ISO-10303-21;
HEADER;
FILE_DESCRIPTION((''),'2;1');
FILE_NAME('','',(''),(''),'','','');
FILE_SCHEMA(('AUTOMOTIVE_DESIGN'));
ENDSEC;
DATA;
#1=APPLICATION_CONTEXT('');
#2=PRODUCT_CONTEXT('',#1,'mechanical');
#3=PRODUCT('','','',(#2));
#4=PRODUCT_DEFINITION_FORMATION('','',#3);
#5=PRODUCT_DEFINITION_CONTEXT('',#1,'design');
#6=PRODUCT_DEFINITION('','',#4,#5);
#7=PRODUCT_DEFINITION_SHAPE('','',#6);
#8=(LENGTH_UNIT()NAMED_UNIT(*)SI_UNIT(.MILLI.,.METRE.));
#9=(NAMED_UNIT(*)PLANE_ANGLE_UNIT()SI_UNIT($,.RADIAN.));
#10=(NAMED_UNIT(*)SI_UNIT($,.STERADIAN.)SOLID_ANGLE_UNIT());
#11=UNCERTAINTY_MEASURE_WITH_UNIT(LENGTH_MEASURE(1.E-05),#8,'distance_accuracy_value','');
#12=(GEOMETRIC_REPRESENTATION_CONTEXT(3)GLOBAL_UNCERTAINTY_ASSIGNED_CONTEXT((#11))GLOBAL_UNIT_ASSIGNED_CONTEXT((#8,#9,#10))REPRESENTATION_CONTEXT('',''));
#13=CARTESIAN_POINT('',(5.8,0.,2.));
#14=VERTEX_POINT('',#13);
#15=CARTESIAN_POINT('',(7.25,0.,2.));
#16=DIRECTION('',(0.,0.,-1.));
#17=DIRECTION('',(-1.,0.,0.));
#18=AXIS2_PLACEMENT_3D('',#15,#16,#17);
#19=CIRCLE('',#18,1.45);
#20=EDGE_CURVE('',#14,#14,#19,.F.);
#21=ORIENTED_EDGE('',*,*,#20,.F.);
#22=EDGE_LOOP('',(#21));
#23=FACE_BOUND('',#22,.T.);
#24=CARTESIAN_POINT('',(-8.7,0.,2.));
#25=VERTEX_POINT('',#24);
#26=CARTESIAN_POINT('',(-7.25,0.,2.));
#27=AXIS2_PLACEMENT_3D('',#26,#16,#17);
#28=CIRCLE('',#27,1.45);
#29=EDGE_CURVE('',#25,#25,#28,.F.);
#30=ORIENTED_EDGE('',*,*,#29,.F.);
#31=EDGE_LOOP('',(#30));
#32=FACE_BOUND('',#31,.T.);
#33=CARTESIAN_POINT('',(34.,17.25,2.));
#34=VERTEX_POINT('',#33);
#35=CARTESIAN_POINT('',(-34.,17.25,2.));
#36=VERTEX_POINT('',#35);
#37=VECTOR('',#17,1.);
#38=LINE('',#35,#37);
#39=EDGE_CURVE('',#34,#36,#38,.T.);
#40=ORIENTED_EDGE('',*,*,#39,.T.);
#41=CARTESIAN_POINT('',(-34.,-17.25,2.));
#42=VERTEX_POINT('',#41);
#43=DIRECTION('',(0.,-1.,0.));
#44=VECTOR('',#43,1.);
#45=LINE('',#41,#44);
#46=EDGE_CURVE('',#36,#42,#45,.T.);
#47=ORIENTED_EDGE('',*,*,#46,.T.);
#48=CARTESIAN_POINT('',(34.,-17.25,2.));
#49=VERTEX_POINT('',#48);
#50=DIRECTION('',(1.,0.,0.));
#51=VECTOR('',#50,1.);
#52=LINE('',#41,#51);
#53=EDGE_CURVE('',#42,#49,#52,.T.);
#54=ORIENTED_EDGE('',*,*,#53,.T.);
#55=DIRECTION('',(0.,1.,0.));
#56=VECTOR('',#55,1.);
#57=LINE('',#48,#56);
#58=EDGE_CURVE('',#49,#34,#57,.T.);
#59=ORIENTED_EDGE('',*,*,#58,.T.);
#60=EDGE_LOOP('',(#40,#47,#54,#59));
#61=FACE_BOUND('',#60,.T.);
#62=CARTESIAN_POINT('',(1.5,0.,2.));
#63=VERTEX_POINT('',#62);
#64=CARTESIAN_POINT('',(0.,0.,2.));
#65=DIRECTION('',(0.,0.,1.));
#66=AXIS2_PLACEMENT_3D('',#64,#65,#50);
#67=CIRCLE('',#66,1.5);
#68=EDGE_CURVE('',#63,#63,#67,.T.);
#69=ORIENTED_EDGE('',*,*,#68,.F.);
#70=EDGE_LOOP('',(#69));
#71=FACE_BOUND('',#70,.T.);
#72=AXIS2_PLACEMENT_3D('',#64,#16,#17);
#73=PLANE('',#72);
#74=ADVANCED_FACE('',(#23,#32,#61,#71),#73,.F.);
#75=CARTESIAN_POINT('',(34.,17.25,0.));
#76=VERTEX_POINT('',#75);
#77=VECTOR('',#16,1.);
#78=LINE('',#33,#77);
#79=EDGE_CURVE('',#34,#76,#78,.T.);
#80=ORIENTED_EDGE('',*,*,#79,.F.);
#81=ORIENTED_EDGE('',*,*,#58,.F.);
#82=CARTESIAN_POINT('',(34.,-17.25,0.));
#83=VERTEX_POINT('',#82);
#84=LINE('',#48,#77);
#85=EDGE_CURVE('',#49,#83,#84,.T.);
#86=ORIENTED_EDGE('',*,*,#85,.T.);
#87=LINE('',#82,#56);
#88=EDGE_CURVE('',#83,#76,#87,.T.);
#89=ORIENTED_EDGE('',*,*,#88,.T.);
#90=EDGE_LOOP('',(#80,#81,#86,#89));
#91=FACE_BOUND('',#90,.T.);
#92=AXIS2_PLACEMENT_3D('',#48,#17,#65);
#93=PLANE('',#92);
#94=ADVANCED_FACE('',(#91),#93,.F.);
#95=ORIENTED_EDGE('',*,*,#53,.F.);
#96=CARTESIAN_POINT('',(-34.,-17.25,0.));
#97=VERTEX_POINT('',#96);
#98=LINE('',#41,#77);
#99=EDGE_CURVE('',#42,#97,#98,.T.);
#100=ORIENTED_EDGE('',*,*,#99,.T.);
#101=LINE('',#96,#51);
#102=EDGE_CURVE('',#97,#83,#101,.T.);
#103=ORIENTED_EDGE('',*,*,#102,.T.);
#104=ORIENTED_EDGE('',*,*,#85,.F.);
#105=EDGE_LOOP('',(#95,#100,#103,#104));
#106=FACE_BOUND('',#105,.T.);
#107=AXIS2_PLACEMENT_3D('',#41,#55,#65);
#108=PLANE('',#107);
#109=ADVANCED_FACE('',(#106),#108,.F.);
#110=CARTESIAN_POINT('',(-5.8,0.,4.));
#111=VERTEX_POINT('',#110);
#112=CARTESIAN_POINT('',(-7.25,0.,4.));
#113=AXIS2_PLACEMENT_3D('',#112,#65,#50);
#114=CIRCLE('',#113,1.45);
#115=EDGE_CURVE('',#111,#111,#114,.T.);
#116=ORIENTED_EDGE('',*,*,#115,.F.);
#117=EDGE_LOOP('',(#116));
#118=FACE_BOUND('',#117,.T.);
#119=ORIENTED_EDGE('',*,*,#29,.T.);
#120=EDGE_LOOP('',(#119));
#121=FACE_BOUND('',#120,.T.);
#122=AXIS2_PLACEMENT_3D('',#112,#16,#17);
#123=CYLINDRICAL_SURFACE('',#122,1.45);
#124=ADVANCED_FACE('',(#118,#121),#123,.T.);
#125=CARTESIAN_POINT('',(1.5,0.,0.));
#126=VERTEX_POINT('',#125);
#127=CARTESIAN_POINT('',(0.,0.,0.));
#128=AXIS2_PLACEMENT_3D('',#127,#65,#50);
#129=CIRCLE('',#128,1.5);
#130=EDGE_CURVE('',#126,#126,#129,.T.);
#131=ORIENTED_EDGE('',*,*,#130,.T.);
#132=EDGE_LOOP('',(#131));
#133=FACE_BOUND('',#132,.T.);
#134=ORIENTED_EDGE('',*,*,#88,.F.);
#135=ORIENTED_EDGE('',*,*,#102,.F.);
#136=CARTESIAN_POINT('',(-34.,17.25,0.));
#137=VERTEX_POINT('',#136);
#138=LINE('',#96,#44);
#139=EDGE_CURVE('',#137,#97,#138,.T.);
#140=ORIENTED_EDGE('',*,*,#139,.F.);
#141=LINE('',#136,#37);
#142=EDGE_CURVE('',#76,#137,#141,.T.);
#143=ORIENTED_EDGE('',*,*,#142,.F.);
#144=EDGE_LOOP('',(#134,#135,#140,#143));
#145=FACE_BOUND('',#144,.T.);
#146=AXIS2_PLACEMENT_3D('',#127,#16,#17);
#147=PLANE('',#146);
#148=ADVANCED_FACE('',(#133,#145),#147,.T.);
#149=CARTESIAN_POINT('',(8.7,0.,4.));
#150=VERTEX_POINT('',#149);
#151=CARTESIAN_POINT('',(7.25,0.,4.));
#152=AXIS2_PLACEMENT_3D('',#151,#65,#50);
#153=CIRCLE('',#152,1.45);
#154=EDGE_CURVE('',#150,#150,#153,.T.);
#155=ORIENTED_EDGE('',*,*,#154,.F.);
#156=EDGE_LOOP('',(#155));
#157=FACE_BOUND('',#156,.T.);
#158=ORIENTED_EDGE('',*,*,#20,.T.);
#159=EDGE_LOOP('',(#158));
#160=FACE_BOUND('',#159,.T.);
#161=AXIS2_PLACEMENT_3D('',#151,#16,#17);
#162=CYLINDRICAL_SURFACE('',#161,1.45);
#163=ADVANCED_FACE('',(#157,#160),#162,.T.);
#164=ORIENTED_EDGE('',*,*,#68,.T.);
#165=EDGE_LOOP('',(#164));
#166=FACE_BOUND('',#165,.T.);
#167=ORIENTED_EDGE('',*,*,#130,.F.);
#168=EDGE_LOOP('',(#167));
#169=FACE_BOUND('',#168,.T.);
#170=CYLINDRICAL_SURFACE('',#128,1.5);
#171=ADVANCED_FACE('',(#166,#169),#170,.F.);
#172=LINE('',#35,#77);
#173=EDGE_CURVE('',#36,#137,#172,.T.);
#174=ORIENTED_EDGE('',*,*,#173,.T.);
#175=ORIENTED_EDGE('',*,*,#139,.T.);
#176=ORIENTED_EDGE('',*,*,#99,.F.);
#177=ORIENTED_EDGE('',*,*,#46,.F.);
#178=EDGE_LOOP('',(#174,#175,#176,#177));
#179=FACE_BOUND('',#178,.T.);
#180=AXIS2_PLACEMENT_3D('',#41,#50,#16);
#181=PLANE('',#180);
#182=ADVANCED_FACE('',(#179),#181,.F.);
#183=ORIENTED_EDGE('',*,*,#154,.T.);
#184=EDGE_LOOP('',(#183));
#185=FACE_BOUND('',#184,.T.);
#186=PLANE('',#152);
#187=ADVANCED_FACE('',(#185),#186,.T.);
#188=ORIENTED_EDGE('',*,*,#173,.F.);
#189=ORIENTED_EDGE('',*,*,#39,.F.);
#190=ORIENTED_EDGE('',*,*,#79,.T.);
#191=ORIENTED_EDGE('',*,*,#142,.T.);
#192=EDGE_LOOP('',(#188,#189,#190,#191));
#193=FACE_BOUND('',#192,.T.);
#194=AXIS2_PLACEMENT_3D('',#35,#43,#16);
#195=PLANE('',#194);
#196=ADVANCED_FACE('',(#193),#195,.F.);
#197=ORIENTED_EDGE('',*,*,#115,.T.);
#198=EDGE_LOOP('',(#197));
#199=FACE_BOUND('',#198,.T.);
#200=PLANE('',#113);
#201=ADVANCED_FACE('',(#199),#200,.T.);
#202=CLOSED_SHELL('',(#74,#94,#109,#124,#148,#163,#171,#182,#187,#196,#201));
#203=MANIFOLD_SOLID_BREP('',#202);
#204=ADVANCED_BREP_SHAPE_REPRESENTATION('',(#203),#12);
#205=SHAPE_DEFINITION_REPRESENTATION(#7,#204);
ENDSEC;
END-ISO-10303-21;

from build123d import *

# Parameters (mm, degrees)
SKETCH1_W           = 68
SKETCH1_H           = 34.5
BOSS_EXTRUDE1_DEPTH = 2
SKETCH2_R           = 1.45
BOSS_EXTRUDE2_DEPTH = 2
SKETCH3_R           = 1.5
CUT_EXTRUDE1_DEPTH  = 39.17803688


with BuildPart() as part:
    # Sketch1 → Boss-Extrude1 (new body)
    with BuildSketch(Plane.XY):
        Rectangle(SKETCH1_W, SKETCH1_H)
    extrude(amount=BOSS_EXTRUDE1_DEPTH)

    # Sketch2 → Boss-Extrude2 (add)
    with BuildSketch(Plane.XY.offset(2)):
        with Locations(Location((-7.25, 0, 0), (0, 0, 180))):
            Circle(SKETCH2_R)
        with Locations(Location((7.25, 0, 0), (0, 0, 180))):
            Circle(SKETCH2_R)
    extrude(amount=BOSS_EXTRUDE2_DEPTH)

    # Sketch3 → Cut-Extrude1 (cut, through all)
    with BuildSketch(Plane.XY.offset(2)):
        Circle(SKETCH3_R)
    extrude(amount=-CUT_EXTRUDE1_DEPTH, mode=Mode.SUBTRACT)


solid = part.part
